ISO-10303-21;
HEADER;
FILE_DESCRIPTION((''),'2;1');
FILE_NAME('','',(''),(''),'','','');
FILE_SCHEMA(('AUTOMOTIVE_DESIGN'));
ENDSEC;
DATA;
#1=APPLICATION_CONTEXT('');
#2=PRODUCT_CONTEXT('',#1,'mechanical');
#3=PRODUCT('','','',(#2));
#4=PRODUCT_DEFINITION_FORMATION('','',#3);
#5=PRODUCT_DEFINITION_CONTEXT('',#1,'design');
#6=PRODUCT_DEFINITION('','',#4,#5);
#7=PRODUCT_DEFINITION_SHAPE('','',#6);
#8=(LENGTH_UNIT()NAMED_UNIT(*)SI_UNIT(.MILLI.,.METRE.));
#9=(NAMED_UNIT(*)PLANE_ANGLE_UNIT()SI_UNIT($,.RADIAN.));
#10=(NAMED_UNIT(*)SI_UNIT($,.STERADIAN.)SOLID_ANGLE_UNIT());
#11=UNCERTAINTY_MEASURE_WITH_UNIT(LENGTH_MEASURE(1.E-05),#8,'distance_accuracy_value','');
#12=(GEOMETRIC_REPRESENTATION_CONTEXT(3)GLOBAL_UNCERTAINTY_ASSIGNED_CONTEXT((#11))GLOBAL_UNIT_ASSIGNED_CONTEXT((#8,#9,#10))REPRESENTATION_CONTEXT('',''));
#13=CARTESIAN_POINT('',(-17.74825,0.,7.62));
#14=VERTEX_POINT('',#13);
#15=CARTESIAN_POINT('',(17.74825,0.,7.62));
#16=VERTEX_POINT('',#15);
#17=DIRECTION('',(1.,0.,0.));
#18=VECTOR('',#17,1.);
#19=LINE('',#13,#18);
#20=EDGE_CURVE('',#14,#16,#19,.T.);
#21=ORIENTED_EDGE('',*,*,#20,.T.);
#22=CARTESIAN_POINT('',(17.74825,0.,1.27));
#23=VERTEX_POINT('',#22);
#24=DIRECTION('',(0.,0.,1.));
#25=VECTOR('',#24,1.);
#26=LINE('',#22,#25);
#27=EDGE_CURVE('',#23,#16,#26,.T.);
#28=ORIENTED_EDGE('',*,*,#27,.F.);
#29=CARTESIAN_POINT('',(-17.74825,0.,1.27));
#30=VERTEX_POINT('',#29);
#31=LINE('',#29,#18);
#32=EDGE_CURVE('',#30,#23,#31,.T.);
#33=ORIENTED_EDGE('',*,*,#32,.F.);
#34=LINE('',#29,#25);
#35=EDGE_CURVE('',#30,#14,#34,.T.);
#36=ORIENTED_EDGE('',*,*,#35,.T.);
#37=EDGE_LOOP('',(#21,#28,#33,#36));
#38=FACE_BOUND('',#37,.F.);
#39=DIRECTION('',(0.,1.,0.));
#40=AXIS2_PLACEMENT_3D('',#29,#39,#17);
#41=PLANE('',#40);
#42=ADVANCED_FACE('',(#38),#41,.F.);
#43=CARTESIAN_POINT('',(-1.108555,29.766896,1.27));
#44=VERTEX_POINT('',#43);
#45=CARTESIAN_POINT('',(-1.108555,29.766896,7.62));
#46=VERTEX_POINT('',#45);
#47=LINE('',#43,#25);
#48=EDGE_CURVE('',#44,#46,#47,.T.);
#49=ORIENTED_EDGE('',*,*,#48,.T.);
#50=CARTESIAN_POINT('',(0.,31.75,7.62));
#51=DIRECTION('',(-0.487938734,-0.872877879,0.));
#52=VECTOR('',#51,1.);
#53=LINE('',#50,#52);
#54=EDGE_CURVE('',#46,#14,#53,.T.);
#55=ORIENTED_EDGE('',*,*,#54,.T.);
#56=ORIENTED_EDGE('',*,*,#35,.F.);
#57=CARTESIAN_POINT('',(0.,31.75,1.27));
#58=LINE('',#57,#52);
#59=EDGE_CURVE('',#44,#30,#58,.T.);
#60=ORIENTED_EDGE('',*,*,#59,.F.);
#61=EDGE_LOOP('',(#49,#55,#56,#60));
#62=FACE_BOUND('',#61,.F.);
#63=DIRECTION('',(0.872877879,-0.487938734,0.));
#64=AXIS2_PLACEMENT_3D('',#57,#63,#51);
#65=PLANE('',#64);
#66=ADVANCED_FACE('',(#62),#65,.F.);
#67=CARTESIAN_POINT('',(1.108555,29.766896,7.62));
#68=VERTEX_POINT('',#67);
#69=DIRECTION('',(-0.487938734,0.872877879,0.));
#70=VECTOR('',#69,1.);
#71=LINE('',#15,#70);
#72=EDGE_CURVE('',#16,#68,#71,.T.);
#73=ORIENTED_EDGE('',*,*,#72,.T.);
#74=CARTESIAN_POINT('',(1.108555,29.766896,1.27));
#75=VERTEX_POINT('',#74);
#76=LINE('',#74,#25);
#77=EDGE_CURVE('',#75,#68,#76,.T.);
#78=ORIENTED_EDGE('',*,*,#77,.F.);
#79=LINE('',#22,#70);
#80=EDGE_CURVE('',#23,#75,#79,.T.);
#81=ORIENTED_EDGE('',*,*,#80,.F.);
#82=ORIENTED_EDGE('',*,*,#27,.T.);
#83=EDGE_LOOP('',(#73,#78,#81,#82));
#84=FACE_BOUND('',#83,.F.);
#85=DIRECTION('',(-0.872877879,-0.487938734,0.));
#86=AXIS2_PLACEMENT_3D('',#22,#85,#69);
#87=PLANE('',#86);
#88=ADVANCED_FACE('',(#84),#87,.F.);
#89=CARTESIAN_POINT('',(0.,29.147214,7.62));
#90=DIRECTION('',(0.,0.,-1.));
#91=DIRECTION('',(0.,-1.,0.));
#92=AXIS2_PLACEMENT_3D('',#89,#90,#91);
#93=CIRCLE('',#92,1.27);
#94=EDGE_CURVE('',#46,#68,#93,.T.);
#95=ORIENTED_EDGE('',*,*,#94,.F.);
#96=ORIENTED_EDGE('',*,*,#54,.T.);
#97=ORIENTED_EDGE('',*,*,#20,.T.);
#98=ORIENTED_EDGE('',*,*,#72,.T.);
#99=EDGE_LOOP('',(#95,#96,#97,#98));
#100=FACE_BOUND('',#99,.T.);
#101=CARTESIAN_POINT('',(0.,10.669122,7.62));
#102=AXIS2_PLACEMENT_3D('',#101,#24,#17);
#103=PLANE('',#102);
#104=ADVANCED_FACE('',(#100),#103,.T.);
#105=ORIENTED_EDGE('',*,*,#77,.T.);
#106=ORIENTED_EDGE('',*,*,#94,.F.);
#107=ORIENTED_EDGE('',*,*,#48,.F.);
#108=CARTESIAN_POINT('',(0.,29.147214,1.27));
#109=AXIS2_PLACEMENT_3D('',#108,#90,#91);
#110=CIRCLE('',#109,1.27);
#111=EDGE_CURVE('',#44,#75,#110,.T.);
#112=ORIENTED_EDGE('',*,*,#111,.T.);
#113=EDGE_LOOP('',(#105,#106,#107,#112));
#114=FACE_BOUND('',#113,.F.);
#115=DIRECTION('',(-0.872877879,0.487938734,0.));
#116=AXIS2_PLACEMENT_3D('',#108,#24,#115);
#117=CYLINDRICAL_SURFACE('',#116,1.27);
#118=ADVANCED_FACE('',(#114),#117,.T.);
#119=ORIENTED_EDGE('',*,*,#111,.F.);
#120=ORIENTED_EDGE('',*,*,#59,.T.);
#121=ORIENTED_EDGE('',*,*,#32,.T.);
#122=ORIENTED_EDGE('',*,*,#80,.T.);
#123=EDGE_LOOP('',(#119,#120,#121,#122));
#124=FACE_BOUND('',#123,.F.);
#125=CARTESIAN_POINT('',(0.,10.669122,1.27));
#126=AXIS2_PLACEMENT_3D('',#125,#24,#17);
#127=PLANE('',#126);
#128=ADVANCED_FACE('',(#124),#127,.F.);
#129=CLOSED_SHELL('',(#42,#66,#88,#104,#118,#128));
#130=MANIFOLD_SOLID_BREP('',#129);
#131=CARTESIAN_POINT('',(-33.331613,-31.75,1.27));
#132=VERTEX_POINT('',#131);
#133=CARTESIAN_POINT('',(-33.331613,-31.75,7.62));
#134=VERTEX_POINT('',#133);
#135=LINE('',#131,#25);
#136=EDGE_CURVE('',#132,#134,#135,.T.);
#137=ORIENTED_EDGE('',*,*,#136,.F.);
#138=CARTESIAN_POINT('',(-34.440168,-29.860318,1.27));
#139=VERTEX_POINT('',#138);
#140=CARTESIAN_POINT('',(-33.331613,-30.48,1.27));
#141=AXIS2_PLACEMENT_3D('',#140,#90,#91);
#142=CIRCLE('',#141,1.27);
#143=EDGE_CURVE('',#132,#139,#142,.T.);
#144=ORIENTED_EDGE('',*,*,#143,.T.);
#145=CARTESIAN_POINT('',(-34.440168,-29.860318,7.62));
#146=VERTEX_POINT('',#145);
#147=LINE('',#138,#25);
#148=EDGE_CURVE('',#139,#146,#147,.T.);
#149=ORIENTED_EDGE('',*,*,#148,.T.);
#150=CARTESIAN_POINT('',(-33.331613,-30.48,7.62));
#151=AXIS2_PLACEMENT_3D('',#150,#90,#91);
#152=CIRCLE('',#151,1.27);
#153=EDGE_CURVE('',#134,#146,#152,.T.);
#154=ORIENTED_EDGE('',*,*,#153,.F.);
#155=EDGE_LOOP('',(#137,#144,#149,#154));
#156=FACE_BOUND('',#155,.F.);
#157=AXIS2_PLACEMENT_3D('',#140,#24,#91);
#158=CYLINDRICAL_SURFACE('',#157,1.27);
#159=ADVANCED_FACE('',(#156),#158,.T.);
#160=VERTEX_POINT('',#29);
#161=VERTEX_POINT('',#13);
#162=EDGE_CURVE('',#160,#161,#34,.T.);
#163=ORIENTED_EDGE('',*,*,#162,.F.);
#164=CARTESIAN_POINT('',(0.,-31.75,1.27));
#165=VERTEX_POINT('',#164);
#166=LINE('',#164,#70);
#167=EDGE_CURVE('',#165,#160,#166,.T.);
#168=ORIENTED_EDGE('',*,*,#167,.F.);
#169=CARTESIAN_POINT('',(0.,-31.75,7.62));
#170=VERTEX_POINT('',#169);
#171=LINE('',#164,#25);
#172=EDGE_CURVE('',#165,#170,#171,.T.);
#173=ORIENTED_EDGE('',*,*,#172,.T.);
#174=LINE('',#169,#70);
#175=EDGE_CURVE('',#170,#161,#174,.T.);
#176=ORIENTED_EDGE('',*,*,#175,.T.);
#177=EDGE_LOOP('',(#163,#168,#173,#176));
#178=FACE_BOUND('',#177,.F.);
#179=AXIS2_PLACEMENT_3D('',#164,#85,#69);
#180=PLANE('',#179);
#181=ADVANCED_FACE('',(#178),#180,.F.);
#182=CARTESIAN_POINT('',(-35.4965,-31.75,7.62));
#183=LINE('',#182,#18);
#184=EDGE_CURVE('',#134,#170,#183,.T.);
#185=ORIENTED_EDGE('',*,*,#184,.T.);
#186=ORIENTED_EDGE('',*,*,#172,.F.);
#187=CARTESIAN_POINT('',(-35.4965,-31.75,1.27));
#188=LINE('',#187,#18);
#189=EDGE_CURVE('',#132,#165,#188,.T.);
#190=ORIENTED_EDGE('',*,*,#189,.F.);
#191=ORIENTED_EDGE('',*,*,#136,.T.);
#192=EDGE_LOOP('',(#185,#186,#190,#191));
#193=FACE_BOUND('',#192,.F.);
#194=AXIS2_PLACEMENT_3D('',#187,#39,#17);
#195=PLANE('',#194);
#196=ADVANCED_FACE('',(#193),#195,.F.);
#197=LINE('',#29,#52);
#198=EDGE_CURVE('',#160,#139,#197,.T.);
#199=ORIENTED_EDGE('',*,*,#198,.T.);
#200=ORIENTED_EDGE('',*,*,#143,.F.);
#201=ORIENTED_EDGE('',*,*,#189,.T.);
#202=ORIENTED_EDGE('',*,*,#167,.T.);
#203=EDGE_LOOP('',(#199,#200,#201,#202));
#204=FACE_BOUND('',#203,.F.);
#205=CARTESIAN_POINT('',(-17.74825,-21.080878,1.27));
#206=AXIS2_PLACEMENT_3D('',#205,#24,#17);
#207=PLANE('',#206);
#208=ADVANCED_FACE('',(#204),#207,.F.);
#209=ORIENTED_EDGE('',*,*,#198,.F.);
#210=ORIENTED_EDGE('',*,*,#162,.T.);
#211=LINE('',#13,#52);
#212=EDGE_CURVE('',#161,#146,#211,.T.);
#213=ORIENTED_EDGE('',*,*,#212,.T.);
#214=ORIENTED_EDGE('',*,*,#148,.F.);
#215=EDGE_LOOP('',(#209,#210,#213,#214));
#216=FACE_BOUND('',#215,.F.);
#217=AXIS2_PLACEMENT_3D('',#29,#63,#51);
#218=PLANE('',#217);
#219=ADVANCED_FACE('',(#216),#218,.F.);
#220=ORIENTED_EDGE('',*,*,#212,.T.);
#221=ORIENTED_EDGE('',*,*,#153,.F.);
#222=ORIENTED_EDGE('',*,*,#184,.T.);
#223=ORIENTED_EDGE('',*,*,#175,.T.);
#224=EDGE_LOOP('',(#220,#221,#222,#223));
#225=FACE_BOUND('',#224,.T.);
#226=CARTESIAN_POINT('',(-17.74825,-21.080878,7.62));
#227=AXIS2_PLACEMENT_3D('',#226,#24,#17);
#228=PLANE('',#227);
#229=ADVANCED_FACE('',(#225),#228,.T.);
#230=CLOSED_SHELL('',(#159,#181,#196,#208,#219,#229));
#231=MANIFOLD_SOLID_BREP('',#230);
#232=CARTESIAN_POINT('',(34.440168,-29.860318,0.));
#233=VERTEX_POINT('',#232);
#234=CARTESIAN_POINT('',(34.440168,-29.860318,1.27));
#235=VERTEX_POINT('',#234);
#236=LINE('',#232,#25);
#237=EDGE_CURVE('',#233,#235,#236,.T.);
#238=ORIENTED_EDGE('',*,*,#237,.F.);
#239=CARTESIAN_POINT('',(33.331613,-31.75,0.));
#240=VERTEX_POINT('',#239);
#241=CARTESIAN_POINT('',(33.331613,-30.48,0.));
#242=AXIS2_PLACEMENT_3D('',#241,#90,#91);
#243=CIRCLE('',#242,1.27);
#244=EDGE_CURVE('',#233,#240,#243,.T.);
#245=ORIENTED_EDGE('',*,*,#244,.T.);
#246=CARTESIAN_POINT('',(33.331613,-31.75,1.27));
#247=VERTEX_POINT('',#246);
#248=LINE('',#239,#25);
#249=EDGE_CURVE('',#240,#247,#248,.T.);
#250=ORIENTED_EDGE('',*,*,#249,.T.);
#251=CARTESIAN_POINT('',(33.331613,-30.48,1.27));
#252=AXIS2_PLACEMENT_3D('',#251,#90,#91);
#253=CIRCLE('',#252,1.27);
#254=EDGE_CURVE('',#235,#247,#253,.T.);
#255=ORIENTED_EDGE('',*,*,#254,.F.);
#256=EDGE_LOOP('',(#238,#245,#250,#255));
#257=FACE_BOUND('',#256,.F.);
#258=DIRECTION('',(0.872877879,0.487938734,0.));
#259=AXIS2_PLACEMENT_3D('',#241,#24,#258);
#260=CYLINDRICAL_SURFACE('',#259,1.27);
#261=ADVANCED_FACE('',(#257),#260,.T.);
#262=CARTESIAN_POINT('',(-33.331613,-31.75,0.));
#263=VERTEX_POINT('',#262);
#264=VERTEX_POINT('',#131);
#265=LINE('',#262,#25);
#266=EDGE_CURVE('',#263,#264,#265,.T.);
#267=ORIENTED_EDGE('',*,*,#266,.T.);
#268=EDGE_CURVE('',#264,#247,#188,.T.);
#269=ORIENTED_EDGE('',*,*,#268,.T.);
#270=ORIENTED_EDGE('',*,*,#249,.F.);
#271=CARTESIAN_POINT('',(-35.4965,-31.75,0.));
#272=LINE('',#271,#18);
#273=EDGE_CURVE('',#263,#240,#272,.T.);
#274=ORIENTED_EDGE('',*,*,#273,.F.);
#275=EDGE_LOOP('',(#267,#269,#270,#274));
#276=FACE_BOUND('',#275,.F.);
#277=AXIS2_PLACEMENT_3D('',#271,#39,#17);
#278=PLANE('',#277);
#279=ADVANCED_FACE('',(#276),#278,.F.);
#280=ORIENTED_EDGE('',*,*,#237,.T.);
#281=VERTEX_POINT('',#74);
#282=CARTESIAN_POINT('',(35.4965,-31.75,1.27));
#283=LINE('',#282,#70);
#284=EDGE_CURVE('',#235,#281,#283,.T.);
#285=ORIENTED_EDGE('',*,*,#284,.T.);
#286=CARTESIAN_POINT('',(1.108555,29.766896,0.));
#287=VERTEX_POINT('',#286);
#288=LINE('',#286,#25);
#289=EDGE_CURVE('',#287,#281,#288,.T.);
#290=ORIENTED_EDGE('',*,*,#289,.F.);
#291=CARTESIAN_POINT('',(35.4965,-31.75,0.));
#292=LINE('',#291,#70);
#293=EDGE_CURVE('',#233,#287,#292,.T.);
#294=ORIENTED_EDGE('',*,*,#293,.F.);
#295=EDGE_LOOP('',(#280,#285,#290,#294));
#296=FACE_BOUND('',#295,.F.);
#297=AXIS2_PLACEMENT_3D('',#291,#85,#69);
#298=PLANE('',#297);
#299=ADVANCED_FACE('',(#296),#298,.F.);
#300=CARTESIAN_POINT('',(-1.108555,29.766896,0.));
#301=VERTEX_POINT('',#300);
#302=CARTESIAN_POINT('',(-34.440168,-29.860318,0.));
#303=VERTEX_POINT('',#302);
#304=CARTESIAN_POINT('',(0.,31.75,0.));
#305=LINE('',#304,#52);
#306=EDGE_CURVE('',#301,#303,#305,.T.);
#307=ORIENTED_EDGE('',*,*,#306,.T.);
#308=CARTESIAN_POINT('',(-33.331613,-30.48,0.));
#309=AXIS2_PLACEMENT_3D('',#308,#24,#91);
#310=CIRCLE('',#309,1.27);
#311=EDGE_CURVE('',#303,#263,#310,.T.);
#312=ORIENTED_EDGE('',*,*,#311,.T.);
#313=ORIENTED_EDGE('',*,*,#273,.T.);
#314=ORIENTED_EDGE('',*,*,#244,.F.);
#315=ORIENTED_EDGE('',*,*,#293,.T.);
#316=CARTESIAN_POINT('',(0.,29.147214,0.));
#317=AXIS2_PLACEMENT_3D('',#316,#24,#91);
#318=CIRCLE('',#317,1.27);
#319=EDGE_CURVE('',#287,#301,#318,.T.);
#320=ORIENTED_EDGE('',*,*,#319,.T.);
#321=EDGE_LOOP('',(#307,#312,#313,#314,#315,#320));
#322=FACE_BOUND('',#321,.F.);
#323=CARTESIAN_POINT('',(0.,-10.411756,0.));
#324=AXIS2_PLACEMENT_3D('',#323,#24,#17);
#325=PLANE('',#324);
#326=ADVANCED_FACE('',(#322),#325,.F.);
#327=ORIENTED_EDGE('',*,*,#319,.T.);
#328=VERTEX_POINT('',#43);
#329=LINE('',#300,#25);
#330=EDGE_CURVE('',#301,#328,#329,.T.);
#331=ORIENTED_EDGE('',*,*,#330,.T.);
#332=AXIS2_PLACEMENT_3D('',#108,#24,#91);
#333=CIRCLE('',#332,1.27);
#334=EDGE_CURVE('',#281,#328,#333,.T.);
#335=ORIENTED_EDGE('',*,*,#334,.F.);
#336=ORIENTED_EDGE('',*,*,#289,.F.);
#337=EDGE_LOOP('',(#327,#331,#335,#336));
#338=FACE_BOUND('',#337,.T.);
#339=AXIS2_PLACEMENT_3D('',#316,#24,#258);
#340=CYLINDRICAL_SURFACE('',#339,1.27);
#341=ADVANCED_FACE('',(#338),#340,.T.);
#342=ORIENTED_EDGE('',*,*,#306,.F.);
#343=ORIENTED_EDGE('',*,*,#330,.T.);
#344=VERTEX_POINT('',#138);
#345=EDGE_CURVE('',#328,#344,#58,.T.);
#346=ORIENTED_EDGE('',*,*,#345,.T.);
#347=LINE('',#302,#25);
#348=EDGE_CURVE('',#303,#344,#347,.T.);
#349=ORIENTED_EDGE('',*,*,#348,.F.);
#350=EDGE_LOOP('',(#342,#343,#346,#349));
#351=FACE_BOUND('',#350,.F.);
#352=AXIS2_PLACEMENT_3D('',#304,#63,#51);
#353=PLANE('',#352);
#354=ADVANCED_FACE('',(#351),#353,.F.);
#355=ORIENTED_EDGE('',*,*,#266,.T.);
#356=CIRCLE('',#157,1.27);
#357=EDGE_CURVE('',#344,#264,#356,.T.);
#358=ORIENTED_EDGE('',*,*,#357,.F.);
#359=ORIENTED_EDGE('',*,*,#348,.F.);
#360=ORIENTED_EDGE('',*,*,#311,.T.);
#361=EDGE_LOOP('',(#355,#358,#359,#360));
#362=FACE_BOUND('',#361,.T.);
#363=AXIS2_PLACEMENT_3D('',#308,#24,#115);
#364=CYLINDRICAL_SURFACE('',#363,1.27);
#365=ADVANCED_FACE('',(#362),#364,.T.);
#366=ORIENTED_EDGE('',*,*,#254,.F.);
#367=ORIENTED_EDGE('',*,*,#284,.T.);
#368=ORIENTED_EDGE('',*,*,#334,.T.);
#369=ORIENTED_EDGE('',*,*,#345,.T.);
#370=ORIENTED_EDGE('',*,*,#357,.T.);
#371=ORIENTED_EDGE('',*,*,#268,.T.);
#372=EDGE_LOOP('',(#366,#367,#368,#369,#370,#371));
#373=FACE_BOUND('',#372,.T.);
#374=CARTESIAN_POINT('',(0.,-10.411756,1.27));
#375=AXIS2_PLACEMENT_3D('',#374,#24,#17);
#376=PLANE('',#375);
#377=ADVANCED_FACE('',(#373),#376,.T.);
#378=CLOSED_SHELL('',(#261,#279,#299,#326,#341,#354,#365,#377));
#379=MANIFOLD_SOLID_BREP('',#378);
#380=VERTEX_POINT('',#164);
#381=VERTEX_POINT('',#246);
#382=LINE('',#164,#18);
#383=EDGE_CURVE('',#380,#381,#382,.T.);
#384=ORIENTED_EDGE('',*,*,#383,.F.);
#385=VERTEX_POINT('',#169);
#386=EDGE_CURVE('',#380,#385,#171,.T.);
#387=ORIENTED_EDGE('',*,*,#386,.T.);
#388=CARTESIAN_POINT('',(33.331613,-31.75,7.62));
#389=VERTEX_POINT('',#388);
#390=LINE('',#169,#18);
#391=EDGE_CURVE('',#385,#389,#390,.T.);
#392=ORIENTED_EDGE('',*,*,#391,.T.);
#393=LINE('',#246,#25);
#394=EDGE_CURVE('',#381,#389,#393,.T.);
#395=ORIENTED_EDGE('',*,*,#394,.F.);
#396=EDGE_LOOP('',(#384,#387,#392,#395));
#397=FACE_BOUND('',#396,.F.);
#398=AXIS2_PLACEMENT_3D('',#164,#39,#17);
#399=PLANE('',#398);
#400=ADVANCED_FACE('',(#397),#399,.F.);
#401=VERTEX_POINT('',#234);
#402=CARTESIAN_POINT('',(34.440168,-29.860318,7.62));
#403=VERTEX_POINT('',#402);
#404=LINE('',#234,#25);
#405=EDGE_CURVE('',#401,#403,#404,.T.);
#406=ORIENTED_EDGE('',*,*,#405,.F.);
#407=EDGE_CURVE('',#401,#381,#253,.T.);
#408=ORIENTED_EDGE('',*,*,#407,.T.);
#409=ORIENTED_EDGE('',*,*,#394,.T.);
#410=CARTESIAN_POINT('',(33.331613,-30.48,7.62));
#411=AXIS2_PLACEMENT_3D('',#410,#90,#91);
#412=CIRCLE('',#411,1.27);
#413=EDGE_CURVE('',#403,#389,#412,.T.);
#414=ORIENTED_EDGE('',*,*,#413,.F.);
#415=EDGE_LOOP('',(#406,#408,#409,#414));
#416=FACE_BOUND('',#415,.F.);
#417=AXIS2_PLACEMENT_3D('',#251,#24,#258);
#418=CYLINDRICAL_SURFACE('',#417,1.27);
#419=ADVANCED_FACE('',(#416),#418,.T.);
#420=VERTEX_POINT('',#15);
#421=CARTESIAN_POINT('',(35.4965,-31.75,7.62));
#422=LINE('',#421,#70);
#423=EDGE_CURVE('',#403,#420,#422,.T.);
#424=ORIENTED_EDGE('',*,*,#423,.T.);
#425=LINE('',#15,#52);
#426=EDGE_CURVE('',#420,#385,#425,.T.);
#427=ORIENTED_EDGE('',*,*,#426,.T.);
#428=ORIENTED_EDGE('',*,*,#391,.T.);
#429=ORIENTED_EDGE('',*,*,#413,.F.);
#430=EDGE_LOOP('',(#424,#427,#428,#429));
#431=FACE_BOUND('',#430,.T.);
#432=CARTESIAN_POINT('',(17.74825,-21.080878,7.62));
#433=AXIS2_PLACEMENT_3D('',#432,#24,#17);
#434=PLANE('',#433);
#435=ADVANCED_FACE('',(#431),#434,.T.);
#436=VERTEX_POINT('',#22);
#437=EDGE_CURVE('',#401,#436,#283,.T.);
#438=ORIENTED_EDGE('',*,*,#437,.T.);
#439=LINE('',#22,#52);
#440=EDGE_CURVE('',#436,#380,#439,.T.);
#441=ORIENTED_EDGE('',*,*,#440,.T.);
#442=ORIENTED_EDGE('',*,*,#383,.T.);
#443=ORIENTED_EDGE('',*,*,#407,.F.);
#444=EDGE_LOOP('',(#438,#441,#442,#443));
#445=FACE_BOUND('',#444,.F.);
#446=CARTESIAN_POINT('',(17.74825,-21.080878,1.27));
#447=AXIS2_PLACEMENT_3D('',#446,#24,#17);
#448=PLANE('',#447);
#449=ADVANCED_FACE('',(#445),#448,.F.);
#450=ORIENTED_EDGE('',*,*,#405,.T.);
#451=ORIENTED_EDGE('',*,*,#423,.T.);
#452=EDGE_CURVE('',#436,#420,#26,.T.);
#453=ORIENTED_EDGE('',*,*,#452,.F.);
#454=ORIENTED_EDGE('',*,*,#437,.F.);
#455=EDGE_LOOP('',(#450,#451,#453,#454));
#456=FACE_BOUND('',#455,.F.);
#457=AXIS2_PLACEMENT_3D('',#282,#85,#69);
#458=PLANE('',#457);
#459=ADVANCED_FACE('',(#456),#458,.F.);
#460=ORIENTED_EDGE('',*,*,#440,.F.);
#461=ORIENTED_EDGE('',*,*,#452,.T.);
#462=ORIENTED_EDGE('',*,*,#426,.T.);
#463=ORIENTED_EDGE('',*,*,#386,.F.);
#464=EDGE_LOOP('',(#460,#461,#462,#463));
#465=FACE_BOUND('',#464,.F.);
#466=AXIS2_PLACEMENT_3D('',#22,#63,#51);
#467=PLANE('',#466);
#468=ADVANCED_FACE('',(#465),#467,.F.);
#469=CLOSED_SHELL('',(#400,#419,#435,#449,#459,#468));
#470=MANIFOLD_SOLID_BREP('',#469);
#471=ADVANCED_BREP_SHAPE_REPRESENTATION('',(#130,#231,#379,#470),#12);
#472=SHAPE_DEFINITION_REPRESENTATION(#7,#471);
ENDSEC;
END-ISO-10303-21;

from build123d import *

# Parameters (mm, degrees)
F1_DEPTH = 1.27
F3_DEPTH = 6.35
F4_R     = 1.27
F4_2_R   = 1.27


with BuildPart() as f1:
    # F0 (on Top) → F1 (new body)
    with BuildSketch(Plane.XY):
        Polygon((35.4965, -31.75), (0, 31.75), (-35.4965, -31.75), align=None)
    extrude(amount=F1_DEPTH)

    # F4#2
    f4_2_edges = [f1.edges().sort_by_distance(p)[0] for p in [
        (35.4965, -31.75, 0.635),
        (0, 31.75, 0.635),
        (-35.4965, -31.75, 0.635),
    ]]
    fillet(f4_2_edges, radius=F4_2_R)


with BuildPart() as f3:
    # F2 (on face) → F3 (new body)
    with BuildSketch(Plane.XY.offset(1.27)):
        Polygon((17.74825, 0), (0, -31.75), (35.4965, -31.75), align=None)
        Polygon((-35.4965, -31.75), (0, -31.75), (-17.74825, 0), align=None)
        Polygon((0, 31.75), (-17.74825, 0), (17.74825, 0), align=None)
    extrude(amount=F3_DEPTH)

    # F4
    f4_edges = [f3.edges().sort_by_distance(p)[0] for p in [
        (-35.4965, -31.75, 4.445),
        (35.4965, -31.75, 4.445),
        (0, 31.75, 4.445),
    ]]
    fillet(f4_edges, radius=F4_R)


solid = Compound([f1.part, f3.part])
